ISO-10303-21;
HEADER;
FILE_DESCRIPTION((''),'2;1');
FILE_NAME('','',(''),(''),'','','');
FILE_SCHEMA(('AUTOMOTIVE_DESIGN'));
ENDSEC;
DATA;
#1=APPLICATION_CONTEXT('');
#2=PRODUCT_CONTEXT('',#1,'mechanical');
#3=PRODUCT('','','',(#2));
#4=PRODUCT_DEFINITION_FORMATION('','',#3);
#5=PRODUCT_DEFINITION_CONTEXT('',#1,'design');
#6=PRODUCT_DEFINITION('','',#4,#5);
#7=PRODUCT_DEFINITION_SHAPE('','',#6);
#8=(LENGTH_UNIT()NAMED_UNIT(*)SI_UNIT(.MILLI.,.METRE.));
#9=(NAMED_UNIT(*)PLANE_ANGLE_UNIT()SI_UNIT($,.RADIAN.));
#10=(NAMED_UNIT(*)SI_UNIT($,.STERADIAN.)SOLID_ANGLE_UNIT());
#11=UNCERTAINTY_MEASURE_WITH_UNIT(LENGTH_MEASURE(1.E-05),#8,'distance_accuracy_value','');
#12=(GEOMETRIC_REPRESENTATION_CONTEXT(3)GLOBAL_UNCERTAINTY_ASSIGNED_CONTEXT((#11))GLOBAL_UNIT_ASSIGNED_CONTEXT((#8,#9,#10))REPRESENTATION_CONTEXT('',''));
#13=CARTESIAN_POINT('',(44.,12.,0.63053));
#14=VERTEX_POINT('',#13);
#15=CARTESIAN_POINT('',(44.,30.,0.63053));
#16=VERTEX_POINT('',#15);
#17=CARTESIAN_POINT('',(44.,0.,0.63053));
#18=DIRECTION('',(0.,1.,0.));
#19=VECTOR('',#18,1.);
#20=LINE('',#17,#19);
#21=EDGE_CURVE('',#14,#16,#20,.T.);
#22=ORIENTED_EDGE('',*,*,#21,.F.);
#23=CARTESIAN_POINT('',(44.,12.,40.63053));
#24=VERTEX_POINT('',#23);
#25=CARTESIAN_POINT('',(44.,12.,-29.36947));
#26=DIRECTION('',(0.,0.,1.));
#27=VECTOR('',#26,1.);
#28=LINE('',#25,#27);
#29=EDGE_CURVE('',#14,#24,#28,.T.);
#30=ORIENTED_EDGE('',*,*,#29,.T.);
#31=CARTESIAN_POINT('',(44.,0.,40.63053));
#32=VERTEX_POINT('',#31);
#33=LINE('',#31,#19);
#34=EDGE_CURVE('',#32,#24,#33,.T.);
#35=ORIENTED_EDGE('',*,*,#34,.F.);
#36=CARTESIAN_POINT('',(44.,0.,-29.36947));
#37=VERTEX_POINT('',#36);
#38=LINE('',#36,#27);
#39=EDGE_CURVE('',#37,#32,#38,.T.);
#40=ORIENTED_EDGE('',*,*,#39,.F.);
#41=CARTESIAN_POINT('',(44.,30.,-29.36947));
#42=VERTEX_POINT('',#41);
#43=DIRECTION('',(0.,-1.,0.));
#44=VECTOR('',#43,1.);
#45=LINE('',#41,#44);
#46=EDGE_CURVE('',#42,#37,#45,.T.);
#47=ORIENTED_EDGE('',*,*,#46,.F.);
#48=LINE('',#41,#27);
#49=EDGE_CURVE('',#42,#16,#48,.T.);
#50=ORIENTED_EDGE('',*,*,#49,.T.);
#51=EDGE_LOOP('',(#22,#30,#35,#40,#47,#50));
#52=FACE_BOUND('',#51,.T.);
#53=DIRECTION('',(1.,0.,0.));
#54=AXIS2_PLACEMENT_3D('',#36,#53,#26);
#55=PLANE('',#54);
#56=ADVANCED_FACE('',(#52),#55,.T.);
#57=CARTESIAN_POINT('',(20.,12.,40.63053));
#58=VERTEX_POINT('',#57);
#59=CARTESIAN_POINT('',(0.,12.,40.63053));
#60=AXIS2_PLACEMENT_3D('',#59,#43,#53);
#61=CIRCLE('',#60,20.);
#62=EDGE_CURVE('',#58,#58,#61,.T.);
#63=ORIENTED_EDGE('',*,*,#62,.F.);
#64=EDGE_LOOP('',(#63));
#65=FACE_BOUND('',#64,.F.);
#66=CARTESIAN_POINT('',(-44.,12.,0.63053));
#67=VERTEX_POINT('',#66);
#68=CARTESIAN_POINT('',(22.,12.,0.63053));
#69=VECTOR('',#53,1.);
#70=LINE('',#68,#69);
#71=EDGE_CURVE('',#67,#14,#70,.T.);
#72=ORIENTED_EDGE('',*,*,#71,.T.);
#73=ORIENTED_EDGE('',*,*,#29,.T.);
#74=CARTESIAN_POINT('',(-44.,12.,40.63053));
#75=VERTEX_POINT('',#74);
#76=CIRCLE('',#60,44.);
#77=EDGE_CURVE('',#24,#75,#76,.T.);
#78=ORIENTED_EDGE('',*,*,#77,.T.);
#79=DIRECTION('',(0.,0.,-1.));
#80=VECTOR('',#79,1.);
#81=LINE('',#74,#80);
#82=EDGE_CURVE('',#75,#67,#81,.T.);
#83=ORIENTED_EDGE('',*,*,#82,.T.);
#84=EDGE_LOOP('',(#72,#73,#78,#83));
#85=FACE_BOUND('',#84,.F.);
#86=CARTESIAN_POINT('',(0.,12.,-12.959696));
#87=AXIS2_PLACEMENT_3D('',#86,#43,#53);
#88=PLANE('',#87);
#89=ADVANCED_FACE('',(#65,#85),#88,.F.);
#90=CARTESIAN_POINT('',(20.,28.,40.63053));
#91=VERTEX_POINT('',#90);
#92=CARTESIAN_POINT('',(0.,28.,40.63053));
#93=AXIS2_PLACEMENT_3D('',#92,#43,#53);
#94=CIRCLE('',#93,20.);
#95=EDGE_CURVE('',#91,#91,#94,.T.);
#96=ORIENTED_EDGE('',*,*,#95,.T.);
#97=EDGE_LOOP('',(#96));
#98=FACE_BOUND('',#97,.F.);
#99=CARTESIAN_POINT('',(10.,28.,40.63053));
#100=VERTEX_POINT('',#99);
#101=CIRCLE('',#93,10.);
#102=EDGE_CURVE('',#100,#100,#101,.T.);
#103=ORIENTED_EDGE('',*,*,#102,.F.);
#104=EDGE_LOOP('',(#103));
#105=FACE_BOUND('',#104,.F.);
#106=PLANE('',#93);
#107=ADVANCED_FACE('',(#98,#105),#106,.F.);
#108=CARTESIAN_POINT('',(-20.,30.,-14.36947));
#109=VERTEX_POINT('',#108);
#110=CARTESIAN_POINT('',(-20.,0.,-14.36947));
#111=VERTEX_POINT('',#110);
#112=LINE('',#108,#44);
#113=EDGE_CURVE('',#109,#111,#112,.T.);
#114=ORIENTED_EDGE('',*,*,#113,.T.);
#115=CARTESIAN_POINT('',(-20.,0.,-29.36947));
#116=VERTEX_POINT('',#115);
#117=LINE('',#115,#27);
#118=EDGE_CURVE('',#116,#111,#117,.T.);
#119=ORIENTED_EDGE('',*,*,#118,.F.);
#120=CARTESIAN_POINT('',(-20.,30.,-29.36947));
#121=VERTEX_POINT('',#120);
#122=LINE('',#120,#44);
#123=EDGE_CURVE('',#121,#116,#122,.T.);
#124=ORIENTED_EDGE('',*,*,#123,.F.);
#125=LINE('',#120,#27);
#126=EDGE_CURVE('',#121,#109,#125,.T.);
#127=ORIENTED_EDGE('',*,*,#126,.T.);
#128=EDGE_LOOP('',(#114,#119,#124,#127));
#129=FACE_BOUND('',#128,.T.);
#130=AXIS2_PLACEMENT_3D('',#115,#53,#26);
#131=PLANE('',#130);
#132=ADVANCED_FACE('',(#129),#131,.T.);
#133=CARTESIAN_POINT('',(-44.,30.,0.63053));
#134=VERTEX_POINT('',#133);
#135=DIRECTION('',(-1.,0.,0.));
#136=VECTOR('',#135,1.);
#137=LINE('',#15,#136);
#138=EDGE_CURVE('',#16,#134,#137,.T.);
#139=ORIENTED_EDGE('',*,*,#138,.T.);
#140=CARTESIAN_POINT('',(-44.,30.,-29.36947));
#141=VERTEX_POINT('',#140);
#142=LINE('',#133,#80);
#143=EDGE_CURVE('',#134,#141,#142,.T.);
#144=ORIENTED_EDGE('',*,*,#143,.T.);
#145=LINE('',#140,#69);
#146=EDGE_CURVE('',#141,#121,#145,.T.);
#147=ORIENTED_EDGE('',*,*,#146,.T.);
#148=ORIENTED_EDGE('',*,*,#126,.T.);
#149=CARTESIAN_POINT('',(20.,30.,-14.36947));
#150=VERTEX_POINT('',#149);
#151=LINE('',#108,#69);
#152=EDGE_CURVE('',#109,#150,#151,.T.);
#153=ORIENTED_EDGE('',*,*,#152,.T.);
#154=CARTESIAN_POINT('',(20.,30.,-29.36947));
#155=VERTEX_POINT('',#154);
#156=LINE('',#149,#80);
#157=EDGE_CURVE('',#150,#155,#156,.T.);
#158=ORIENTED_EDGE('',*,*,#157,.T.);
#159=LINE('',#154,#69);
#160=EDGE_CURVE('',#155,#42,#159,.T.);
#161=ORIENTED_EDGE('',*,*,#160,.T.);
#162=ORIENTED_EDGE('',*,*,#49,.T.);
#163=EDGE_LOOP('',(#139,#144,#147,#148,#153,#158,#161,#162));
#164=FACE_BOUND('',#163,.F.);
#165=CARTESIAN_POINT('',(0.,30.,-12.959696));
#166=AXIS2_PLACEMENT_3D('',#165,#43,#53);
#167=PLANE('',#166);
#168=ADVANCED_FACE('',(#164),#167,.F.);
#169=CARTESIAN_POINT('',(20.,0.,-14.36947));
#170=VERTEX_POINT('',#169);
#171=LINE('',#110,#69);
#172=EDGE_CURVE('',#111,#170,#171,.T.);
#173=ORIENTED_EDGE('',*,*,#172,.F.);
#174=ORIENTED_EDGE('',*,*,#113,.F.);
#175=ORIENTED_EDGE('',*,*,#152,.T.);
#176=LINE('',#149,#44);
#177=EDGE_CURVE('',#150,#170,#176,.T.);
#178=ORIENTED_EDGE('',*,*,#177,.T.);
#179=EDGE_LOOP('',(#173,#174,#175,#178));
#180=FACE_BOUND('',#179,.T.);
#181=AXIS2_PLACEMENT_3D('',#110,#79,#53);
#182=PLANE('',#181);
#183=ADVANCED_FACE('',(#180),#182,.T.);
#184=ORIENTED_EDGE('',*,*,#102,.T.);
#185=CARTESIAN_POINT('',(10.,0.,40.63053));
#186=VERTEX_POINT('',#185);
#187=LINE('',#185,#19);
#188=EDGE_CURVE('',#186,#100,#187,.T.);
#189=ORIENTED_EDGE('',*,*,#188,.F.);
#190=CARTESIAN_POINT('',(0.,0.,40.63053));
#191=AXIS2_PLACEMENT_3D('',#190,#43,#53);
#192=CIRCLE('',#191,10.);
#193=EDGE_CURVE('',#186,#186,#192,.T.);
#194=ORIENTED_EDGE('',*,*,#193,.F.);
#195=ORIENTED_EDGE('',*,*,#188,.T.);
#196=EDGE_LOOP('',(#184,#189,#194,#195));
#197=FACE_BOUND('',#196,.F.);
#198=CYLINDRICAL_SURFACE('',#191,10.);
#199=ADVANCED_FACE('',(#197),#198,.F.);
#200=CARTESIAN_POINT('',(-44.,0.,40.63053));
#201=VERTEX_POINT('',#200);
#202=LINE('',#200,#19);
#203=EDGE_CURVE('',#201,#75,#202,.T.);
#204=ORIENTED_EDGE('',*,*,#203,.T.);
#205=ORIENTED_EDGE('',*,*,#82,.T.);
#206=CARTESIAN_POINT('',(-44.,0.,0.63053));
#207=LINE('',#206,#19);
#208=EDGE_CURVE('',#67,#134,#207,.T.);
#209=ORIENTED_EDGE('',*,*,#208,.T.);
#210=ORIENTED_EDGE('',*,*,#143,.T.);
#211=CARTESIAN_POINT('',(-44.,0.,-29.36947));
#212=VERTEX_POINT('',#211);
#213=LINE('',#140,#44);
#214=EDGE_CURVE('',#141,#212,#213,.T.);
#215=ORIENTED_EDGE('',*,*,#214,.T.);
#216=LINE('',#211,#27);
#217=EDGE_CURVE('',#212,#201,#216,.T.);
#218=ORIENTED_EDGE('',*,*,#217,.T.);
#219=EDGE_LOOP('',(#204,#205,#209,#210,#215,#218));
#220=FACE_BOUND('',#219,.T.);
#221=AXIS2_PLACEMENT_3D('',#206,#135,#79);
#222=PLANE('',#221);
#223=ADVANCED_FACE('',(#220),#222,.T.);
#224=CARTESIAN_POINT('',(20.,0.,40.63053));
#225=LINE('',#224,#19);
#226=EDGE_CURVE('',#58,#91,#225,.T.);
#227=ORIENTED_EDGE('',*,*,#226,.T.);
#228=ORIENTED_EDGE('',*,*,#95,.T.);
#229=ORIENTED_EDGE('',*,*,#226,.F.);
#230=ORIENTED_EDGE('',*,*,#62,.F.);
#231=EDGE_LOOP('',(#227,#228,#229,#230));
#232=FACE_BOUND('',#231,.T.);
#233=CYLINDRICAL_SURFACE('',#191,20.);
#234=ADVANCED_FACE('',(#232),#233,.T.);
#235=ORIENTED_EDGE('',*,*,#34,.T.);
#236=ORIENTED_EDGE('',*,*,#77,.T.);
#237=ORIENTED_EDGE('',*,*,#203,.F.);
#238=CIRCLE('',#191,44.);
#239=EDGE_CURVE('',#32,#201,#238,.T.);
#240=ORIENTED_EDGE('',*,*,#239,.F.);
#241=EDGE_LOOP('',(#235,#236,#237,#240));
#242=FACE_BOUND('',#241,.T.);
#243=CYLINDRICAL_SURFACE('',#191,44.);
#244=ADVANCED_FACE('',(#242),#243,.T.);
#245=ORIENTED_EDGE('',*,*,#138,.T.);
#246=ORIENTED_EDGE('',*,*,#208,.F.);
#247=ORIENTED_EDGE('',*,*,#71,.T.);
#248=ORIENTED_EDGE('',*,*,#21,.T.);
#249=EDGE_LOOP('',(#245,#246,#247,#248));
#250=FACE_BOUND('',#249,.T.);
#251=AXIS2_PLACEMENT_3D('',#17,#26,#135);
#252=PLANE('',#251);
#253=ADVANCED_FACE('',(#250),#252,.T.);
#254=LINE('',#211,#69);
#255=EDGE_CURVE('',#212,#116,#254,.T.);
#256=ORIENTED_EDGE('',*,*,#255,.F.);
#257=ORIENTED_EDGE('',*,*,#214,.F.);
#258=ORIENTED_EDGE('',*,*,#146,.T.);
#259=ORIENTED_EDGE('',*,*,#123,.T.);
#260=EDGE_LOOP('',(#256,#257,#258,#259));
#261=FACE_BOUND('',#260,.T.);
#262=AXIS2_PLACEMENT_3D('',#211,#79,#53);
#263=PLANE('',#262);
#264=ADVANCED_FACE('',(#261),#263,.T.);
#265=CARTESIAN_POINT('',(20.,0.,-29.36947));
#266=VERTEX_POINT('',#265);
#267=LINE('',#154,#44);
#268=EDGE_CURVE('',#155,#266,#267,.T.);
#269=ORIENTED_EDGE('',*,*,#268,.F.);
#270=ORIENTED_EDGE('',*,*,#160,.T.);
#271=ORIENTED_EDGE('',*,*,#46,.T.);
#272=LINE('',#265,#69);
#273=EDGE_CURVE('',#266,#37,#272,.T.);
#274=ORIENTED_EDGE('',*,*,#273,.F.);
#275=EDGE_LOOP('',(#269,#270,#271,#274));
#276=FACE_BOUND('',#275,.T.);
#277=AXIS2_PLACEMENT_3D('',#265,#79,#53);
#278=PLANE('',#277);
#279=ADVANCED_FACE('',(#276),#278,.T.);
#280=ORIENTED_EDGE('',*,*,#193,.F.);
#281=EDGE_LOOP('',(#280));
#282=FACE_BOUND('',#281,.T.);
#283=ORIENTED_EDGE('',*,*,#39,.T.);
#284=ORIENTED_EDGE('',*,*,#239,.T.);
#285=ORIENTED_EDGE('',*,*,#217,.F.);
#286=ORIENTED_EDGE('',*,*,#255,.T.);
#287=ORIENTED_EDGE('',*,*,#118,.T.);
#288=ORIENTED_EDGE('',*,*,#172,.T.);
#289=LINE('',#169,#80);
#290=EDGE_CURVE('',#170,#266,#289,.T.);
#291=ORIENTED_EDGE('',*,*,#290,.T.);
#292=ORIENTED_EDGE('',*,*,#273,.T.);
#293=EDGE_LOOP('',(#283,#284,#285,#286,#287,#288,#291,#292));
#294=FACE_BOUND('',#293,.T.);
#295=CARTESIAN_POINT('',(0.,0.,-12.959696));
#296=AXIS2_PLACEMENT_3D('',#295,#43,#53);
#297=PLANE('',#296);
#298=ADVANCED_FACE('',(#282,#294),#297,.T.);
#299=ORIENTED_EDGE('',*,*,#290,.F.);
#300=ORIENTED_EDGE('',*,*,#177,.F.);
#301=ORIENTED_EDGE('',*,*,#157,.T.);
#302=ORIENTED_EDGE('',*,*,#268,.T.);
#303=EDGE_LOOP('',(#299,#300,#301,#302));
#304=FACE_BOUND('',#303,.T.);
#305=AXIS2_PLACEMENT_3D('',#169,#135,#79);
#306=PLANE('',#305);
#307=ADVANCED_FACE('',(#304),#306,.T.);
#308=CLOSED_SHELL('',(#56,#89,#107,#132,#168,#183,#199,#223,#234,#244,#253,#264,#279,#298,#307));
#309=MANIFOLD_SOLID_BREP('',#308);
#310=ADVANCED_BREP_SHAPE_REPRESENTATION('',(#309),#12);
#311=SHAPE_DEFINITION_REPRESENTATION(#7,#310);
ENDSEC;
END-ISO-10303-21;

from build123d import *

# Parameters (mm, degrees)
F1_DEPTH = 30
F0_R     = 20
F2_DEPTH = 12
F0_R_2   = 10
F3_DEPTH = 28


with BuildPart() as f1:
    # F0 (on Front) → F1 (new body)
    with BuildSketch(Plane.XZ):
        Polygon((-44, 0.63053), (-44, -29.36947), (-20, -29.36947), (-20, -14.36947), (20, -14.36947), (20, -29.36947), (44, -29.36947), (44, 0.63053), align=None)
    extrude(amount=-F1_DEPTH)

    # F0 (on Front) → F2 (join)
    with BuildSketch(Plane.XZ):
        Polygon((-44, 0.63053), (-44, -29.36947), (-20, -29.36947), (-20, -14.36947), (20, -14.36947), (20, -29.36947), (44, -29.36947), (44, 0.63053), align=None)
        with BuildLine():
            Line((-44, 40.63053), (-44, 0.63053))
            Line((-44, 0.63053), (44, 0.63053))
            Line((44, 0.63053), (44, 40.63053))
            ThreePointArc((44, 40.63053), (0, 84.63053), (-44, 40.63053))
        make_face()
        with Locations((0, 40.63053)):
            Circle(F0_R, mode=Mode.SUBTRACT)
    extrude(amount=-F2_DEPTH)

    # F0 (on Front) → F3 (join)
    with BuildSketch(Plane.XZ):
        with Locations((0, 40.63053)):
            Circle(F0_R)
        with Locations((0, 40.63053)):
            Circle(F0_R_2, mode=Mode.SUBTRACT)
    extrude(amount=-F3_DEPTH)


solid = f1.part
